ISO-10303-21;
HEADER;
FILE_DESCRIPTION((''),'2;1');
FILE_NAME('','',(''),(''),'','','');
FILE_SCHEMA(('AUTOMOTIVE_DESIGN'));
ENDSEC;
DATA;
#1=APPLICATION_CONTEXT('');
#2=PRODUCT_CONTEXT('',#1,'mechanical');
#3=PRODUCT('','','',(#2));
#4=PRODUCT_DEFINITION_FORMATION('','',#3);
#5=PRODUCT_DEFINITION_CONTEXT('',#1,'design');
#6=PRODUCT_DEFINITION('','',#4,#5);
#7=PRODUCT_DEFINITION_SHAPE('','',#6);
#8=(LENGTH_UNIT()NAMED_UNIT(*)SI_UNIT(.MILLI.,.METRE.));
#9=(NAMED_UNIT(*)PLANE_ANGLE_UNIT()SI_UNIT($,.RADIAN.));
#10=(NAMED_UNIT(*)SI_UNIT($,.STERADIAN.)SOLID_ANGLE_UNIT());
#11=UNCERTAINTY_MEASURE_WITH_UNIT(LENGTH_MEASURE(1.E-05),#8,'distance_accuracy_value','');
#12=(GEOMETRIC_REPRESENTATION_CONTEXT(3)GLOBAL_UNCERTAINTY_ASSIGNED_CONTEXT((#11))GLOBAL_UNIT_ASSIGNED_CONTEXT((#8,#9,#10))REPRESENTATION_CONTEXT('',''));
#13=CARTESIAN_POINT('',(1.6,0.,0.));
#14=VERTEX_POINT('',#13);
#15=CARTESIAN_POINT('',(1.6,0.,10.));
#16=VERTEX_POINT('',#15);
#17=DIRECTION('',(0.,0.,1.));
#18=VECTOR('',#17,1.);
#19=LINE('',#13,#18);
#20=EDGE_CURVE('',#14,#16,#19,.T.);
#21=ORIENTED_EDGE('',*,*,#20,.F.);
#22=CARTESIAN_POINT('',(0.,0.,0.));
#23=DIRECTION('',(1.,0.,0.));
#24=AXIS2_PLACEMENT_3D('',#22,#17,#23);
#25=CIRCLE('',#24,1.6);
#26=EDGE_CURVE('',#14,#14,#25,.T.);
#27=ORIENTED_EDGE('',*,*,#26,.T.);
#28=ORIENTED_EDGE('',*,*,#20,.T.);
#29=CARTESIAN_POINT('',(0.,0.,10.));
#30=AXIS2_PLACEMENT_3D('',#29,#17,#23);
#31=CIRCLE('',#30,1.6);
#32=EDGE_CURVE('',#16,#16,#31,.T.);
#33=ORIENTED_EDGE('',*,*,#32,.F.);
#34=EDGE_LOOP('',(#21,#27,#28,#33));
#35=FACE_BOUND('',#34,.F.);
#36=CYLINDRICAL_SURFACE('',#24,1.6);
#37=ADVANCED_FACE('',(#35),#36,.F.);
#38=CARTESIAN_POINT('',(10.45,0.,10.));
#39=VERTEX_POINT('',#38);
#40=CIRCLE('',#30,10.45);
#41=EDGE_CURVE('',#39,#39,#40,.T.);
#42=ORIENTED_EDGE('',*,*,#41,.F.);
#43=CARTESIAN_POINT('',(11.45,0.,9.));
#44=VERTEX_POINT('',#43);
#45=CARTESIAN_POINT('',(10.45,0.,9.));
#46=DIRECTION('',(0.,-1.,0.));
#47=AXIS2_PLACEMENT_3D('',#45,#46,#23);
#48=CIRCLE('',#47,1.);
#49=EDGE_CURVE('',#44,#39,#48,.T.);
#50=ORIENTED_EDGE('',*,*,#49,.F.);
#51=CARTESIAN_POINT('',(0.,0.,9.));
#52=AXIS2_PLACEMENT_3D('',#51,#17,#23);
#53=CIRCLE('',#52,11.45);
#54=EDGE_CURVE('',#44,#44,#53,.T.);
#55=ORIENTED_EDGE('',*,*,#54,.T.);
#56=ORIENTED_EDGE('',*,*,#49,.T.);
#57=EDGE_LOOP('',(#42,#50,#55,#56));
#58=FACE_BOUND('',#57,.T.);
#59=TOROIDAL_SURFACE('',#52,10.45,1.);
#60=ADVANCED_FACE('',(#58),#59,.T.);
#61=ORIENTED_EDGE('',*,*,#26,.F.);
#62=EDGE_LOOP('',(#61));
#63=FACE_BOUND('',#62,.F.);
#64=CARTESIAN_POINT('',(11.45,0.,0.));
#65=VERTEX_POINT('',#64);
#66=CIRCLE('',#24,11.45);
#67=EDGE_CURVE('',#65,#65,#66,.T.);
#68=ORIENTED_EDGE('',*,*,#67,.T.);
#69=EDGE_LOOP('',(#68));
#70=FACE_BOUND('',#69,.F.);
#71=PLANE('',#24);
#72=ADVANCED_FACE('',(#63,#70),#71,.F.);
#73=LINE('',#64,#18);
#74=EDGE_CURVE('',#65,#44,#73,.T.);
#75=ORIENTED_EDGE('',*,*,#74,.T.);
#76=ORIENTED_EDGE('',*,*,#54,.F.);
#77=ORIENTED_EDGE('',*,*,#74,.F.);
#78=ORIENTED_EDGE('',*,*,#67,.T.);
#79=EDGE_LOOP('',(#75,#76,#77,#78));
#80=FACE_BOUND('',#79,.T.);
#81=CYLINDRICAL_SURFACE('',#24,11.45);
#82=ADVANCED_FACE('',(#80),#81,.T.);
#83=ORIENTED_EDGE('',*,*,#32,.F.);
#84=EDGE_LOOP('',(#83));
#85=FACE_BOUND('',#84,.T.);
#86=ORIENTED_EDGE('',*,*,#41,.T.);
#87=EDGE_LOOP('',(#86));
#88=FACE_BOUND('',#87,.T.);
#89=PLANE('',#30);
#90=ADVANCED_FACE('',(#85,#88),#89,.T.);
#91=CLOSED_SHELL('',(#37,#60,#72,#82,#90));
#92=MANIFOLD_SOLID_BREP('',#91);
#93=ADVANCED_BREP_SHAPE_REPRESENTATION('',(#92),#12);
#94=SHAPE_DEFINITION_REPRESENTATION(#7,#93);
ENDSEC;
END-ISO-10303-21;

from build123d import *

# Parameters (mm, degrees)
F0_R   = 11.45
F0_R_2 = 1.6
F3_R   = 1


with BuildPart() as f2:
    # F2: sweep along a path in F1
    with BuildLine(Plane.XZ) as f2_path:
        Line((0, 0), (0, 10))
    # F0 (on Top) → F2 (sweep)
    with BuildSketch(Plane.XY):
        Circle(F0_R)
        Circle(F0_R_2, mode=Mode.SUBTRACT)
    sweep(path=f2_path.line)

    # F3
    f3_edges = [f2.edges().sort_by_distance(p)[0] for p in [
        (-11.45, 0, 10),
    ]]
    fillet(f3_edges, radius=F3_R)


solid = f2.part
